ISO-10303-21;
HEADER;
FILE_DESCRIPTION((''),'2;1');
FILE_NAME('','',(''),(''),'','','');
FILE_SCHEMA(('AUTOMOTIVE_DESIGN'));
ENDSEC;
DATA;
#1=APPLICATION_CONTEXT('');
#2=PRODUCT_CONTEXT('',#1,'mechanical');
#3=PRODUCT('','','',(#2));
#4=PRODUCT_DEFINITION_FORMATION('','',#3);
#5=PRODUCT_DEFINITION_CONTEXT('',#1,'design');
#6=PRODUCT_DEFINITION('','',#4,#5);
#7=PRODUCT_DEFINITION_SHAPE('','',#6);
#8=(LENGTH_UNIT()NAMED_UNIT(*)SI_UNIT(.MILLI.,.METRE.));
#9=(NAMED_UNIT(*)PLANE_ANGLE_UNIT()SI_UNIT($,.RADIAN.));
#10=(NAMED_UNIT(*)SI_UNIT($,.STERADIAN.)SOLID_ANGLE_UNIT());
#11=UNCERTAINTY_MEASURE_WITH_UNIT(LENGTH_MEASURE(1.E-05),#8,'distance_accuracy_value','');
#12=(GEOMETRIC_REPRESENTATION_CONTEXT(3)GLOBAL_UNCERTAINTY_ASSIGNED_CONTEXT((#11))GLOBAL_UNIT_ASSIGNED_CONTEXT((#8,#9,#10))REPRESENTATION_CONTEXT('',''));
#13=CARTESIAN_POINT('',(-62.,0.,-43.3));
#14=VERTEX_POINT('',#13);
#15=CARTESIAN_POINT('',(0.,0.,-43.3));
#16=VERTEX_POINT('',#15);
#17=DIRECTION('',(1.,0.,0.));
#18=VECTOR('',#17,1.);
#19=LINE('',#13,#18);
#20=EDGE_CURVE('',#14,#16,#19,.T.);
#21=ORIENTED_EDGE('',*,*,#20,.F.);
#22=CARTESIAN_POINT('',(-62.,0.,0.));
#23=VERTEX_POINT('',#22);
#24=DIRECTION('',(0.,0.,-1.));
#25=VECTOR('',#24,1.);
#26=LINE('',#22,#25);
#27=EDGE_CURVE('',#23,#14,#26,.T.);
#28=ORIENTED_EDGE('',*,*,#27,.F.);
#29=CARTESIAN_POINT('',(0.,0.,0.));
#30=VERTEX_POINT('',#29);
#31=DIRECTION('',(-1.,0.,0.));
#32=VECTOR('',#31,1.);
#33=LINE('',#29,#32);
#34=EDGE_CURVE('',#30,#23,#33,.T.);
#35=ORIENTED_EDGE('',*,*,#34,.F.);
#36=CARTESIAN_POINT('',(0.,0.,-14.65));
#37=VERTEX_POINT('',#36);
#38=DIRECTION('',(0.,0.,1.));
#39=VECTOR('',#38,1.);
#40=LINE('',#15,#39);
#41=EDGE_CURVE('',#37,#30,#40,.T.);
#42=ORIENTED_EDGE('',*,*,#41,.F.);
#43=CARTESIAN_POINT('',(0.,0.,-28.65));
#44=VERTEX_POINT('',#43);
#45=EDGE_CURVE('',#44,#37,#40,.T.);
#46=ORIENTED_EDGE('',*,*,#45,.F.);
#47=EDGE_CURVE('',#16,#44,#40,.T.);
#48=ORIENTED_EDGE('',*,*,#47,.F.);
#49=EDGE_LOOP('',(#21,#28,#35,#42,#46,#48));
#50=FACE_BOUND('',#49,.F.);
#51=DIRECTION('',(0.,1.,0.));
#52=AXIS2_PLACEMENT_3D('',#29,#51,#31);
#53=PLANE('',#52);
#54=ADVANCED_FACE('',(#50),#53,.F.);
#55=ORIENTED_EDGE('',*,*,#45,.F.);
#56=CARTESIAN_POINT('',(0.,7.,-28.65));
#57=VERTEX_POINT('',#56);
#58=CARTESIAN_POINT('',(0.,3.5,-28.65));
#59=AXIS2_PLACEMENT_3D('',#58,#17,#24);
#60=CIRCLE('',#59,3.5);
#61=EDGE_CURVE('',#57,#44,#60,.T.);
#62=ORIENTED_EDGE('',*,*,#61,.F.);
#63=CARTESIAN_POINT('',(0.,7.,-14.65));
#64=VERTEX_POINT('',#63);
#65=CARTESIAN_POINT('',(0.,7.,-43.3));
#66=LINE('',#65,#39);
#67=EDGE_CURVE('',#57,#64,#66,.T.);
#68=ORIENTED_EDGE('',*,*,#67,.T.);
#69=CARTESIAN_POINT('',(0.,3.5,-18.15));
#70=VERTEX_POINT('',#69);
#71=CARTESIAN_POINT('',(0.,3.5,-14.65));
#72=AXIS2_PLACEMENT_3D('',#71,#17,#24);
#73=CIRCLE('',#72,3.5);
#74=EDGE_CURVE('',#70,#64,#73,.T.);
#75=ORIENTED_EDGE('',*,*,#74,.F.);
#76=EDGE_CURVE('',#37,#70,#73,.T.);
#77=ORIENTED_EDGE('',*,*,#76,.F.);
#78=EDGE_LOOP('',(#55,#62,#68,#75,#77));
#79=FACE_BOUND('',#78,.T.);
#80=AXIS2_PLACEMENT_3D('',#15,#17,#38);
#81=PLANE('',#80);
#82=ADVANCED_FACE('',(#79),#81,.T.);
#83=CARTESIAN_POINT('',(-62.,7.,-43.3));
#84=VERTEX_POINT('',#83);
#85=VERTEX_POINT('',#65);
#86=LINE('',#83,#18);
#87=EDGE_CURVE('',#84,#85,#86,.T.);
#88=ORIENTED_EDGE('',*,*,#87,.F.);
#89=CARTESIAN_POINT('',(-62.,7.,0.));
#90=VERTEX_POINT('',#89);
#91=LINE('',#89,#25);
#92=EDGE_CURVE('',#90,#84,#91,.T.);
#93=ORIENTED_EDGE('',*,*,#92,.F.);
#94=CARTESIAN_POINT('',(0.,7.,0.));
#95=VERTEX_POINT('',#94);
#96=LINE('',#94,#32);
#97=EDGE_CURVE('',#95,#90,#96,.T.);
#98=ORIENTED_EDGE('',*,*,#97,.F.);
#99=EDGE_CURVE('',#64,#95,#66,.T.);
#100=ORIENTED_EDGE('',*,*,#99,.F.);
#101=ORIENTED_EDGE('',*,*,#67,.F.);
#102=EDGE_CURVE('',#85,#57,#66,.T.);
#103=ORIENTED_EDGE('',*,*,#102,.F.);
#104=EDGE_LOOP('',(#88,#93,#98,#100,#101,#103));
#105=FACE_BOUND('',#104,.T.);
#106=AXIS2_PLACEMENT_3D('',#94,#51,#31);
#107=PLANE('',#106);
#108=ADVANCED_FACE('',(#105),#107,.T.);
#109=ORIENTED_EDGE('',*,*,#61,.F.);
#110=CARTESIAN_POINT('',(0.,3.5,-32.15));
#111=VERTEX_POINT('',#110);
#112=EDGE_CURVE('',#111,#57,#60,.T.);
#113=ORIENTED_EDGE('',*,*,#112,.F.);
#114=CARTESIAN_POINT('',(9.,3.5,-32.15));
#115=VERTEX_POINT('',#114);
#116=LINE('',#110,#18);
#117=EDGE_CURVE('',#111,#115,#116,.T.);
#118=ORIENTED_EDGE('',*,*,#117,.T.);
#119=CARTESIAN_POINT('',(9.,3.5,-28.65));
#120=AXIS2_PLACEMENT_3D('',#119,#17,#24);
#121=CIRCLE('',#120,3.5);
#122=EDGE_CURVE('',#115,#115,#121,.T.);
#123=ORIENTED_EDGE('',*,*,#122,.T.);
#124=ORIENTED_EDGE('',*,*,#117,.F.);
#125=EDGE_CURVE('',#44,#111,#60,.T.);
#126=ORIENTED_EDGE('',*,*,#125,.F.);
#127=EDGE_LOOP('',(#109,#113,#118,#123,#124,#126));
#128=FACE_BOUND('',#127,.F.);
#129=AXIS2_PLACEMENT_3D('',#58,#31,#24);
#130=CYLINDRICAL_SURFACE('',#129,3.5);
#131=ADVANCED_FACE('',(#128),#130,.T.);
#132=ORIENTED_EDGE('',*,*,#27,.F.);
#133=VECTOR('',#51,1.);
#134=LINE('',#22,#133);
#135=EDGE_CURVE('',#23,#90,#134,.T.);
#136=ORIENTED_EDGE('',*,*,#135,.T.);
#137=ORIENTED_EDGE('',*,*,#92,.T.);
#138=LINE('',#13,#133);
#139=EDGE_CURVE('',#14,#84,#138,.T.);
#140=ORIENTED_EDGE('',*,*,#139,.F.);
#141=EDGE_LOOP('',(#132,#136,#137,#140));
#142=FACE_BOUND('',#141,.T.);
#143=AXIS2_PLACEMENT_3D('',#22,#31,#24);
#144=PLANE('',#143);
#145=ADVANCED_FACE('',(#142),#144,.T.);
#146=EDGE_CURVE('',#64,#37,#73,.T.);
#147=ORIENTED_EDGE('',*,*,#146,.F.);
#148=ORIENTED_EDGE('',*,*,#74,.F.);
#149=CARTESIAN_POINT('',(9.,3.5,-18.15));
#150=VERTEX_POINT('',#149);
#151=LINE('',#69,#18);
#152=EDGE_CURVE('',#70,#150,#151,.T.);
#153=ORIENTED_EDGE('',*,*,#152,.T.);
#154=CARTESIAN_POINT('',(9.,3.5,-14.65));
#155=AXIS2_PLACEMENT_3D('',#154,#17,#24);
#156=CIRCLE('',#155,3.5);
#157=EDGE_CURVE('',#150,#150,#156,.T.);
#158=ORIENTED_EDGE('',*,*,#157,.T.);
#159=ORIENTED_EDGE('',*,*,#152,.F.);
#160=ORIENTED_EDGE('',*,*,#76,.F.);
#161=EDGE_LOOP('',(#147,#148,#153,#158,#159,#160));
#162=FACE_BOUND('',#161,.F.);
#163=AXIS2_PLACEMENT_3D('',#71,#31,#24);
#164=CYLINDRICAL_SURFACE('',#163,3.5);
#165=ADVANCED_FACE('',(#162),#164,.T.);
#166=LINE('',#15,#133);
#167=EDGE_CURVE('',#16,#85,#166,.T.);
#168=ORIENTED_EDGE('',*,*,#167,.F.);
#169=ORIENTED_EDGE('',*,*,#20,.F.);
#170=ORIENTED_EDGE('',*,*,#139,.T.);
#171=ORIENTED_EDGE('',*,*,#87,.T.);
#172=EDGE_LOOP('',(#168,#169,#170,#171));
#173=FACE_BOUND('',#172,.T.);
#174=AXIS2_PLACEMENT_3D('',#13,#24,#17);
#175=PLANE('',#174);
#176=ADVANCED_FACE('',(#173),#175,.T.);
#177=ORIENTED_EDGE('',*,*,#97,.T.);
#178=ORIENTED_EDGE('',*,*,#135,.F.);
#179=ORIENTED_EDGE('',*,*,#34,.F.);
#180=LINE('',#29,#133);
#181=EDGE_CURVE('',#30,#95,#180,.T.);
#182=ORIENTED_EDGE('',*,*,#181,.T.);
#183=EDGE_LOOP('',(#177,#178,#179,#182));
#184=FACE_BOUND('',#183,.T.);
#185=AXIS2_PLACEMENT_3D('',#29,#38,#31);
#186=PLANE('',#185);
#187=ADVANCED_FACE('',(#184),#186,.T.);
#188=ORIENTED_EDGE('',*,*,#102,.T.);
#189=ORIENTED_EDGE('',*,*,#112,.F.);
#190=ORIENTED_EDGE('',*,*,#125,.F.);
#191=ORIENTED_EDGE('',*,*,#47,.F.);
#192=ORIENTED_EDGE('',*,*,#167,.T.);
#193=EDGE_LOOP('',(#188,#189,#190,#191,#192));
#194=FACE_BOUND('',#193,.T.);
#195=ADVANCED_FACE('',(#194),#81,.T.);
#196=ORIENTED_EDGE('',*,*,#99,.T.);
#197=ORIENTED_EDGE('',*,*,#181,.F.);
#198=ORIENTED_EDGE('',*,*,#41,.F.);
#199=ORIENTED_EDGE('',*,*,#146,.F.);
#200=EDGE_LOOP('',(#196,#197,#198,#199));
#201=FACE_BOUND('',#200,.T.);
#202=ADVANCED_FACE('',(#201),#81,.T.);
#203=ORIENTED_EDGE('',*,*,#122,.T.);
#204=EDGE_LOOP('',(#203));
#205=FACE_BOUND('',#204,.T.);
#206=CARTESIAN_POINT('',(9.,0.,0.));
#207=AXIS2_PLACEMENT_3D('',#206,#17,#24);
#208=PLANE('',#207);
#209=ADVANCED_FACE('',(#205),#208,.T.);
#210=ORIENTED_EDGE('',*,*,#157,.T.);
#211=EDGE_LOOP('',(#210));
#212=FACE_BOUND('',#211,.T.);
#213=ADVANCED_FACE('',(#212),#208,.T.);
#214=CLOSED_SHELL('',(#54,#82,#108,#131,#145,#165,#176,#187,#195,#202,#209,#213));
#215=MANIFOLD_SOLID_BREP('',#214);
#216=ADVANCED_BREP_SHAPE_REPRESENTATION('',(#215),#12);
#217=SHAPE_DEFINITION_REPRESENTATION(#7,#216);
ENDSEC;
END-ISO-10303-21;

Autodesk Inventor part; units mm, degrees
ref_plane "YZ Plane" through (0, 0, 0) normal (1, 0, 0) x (0, 1, 0)
ref_plane "XZ Plane" through (0, 0, 0) normal (0, 1, 0) x (-1, 0, 0)
ref_plane "XY Plane" through (0, 0, 0) normal (0, 0, 1) x (1, 0, 0)
sketch "Sketch1" plane through (0, 0, 0) normal (0, 1, 0) x (-1, 0, 0)
  line L0 (0, 0) -> (62, 0)
  line L1 (62, 0) -> (62, -43.3)
  line L2 (62, -43.3) -> (0, -43.3)
  line L3 (0, -43.3) -> (0, 0)
  dimension "d0" = 62
  dimension "d1" = 43.3
extrude "Extrusion1" add sketch "Sketch1" along normal blind 7
sketch "Sketch2" plane through (0, 0, 0) normal (1, 0, 0) x (0, 0, -1)
  line L0 (-9.6515, 3.5) -> (65.4292, 3.5) construction
  line L1 (0, 0) -> (0, 7) construction
  line L2 (21.65, 19.1254) -> (21.65, -18.6518) construction
  line L3 (0, 7) -> (43.3, 7) construction
  circle A0 centre (14.65, 3.5) radius 3.5
  circle A1 centre (28.65, 3.5) radius 3.5
  point P0 (0, 3.5)
  point P1 (21.65, 7)
  dimension "d4" = 7
  dimension "d5" = 7
  dimension "d6" = 14
  dimension "d7" = 7
extrude "Extrusion2" add sketch "Sketch2" along normal blind 9
properties part number "Lipo Battery"
